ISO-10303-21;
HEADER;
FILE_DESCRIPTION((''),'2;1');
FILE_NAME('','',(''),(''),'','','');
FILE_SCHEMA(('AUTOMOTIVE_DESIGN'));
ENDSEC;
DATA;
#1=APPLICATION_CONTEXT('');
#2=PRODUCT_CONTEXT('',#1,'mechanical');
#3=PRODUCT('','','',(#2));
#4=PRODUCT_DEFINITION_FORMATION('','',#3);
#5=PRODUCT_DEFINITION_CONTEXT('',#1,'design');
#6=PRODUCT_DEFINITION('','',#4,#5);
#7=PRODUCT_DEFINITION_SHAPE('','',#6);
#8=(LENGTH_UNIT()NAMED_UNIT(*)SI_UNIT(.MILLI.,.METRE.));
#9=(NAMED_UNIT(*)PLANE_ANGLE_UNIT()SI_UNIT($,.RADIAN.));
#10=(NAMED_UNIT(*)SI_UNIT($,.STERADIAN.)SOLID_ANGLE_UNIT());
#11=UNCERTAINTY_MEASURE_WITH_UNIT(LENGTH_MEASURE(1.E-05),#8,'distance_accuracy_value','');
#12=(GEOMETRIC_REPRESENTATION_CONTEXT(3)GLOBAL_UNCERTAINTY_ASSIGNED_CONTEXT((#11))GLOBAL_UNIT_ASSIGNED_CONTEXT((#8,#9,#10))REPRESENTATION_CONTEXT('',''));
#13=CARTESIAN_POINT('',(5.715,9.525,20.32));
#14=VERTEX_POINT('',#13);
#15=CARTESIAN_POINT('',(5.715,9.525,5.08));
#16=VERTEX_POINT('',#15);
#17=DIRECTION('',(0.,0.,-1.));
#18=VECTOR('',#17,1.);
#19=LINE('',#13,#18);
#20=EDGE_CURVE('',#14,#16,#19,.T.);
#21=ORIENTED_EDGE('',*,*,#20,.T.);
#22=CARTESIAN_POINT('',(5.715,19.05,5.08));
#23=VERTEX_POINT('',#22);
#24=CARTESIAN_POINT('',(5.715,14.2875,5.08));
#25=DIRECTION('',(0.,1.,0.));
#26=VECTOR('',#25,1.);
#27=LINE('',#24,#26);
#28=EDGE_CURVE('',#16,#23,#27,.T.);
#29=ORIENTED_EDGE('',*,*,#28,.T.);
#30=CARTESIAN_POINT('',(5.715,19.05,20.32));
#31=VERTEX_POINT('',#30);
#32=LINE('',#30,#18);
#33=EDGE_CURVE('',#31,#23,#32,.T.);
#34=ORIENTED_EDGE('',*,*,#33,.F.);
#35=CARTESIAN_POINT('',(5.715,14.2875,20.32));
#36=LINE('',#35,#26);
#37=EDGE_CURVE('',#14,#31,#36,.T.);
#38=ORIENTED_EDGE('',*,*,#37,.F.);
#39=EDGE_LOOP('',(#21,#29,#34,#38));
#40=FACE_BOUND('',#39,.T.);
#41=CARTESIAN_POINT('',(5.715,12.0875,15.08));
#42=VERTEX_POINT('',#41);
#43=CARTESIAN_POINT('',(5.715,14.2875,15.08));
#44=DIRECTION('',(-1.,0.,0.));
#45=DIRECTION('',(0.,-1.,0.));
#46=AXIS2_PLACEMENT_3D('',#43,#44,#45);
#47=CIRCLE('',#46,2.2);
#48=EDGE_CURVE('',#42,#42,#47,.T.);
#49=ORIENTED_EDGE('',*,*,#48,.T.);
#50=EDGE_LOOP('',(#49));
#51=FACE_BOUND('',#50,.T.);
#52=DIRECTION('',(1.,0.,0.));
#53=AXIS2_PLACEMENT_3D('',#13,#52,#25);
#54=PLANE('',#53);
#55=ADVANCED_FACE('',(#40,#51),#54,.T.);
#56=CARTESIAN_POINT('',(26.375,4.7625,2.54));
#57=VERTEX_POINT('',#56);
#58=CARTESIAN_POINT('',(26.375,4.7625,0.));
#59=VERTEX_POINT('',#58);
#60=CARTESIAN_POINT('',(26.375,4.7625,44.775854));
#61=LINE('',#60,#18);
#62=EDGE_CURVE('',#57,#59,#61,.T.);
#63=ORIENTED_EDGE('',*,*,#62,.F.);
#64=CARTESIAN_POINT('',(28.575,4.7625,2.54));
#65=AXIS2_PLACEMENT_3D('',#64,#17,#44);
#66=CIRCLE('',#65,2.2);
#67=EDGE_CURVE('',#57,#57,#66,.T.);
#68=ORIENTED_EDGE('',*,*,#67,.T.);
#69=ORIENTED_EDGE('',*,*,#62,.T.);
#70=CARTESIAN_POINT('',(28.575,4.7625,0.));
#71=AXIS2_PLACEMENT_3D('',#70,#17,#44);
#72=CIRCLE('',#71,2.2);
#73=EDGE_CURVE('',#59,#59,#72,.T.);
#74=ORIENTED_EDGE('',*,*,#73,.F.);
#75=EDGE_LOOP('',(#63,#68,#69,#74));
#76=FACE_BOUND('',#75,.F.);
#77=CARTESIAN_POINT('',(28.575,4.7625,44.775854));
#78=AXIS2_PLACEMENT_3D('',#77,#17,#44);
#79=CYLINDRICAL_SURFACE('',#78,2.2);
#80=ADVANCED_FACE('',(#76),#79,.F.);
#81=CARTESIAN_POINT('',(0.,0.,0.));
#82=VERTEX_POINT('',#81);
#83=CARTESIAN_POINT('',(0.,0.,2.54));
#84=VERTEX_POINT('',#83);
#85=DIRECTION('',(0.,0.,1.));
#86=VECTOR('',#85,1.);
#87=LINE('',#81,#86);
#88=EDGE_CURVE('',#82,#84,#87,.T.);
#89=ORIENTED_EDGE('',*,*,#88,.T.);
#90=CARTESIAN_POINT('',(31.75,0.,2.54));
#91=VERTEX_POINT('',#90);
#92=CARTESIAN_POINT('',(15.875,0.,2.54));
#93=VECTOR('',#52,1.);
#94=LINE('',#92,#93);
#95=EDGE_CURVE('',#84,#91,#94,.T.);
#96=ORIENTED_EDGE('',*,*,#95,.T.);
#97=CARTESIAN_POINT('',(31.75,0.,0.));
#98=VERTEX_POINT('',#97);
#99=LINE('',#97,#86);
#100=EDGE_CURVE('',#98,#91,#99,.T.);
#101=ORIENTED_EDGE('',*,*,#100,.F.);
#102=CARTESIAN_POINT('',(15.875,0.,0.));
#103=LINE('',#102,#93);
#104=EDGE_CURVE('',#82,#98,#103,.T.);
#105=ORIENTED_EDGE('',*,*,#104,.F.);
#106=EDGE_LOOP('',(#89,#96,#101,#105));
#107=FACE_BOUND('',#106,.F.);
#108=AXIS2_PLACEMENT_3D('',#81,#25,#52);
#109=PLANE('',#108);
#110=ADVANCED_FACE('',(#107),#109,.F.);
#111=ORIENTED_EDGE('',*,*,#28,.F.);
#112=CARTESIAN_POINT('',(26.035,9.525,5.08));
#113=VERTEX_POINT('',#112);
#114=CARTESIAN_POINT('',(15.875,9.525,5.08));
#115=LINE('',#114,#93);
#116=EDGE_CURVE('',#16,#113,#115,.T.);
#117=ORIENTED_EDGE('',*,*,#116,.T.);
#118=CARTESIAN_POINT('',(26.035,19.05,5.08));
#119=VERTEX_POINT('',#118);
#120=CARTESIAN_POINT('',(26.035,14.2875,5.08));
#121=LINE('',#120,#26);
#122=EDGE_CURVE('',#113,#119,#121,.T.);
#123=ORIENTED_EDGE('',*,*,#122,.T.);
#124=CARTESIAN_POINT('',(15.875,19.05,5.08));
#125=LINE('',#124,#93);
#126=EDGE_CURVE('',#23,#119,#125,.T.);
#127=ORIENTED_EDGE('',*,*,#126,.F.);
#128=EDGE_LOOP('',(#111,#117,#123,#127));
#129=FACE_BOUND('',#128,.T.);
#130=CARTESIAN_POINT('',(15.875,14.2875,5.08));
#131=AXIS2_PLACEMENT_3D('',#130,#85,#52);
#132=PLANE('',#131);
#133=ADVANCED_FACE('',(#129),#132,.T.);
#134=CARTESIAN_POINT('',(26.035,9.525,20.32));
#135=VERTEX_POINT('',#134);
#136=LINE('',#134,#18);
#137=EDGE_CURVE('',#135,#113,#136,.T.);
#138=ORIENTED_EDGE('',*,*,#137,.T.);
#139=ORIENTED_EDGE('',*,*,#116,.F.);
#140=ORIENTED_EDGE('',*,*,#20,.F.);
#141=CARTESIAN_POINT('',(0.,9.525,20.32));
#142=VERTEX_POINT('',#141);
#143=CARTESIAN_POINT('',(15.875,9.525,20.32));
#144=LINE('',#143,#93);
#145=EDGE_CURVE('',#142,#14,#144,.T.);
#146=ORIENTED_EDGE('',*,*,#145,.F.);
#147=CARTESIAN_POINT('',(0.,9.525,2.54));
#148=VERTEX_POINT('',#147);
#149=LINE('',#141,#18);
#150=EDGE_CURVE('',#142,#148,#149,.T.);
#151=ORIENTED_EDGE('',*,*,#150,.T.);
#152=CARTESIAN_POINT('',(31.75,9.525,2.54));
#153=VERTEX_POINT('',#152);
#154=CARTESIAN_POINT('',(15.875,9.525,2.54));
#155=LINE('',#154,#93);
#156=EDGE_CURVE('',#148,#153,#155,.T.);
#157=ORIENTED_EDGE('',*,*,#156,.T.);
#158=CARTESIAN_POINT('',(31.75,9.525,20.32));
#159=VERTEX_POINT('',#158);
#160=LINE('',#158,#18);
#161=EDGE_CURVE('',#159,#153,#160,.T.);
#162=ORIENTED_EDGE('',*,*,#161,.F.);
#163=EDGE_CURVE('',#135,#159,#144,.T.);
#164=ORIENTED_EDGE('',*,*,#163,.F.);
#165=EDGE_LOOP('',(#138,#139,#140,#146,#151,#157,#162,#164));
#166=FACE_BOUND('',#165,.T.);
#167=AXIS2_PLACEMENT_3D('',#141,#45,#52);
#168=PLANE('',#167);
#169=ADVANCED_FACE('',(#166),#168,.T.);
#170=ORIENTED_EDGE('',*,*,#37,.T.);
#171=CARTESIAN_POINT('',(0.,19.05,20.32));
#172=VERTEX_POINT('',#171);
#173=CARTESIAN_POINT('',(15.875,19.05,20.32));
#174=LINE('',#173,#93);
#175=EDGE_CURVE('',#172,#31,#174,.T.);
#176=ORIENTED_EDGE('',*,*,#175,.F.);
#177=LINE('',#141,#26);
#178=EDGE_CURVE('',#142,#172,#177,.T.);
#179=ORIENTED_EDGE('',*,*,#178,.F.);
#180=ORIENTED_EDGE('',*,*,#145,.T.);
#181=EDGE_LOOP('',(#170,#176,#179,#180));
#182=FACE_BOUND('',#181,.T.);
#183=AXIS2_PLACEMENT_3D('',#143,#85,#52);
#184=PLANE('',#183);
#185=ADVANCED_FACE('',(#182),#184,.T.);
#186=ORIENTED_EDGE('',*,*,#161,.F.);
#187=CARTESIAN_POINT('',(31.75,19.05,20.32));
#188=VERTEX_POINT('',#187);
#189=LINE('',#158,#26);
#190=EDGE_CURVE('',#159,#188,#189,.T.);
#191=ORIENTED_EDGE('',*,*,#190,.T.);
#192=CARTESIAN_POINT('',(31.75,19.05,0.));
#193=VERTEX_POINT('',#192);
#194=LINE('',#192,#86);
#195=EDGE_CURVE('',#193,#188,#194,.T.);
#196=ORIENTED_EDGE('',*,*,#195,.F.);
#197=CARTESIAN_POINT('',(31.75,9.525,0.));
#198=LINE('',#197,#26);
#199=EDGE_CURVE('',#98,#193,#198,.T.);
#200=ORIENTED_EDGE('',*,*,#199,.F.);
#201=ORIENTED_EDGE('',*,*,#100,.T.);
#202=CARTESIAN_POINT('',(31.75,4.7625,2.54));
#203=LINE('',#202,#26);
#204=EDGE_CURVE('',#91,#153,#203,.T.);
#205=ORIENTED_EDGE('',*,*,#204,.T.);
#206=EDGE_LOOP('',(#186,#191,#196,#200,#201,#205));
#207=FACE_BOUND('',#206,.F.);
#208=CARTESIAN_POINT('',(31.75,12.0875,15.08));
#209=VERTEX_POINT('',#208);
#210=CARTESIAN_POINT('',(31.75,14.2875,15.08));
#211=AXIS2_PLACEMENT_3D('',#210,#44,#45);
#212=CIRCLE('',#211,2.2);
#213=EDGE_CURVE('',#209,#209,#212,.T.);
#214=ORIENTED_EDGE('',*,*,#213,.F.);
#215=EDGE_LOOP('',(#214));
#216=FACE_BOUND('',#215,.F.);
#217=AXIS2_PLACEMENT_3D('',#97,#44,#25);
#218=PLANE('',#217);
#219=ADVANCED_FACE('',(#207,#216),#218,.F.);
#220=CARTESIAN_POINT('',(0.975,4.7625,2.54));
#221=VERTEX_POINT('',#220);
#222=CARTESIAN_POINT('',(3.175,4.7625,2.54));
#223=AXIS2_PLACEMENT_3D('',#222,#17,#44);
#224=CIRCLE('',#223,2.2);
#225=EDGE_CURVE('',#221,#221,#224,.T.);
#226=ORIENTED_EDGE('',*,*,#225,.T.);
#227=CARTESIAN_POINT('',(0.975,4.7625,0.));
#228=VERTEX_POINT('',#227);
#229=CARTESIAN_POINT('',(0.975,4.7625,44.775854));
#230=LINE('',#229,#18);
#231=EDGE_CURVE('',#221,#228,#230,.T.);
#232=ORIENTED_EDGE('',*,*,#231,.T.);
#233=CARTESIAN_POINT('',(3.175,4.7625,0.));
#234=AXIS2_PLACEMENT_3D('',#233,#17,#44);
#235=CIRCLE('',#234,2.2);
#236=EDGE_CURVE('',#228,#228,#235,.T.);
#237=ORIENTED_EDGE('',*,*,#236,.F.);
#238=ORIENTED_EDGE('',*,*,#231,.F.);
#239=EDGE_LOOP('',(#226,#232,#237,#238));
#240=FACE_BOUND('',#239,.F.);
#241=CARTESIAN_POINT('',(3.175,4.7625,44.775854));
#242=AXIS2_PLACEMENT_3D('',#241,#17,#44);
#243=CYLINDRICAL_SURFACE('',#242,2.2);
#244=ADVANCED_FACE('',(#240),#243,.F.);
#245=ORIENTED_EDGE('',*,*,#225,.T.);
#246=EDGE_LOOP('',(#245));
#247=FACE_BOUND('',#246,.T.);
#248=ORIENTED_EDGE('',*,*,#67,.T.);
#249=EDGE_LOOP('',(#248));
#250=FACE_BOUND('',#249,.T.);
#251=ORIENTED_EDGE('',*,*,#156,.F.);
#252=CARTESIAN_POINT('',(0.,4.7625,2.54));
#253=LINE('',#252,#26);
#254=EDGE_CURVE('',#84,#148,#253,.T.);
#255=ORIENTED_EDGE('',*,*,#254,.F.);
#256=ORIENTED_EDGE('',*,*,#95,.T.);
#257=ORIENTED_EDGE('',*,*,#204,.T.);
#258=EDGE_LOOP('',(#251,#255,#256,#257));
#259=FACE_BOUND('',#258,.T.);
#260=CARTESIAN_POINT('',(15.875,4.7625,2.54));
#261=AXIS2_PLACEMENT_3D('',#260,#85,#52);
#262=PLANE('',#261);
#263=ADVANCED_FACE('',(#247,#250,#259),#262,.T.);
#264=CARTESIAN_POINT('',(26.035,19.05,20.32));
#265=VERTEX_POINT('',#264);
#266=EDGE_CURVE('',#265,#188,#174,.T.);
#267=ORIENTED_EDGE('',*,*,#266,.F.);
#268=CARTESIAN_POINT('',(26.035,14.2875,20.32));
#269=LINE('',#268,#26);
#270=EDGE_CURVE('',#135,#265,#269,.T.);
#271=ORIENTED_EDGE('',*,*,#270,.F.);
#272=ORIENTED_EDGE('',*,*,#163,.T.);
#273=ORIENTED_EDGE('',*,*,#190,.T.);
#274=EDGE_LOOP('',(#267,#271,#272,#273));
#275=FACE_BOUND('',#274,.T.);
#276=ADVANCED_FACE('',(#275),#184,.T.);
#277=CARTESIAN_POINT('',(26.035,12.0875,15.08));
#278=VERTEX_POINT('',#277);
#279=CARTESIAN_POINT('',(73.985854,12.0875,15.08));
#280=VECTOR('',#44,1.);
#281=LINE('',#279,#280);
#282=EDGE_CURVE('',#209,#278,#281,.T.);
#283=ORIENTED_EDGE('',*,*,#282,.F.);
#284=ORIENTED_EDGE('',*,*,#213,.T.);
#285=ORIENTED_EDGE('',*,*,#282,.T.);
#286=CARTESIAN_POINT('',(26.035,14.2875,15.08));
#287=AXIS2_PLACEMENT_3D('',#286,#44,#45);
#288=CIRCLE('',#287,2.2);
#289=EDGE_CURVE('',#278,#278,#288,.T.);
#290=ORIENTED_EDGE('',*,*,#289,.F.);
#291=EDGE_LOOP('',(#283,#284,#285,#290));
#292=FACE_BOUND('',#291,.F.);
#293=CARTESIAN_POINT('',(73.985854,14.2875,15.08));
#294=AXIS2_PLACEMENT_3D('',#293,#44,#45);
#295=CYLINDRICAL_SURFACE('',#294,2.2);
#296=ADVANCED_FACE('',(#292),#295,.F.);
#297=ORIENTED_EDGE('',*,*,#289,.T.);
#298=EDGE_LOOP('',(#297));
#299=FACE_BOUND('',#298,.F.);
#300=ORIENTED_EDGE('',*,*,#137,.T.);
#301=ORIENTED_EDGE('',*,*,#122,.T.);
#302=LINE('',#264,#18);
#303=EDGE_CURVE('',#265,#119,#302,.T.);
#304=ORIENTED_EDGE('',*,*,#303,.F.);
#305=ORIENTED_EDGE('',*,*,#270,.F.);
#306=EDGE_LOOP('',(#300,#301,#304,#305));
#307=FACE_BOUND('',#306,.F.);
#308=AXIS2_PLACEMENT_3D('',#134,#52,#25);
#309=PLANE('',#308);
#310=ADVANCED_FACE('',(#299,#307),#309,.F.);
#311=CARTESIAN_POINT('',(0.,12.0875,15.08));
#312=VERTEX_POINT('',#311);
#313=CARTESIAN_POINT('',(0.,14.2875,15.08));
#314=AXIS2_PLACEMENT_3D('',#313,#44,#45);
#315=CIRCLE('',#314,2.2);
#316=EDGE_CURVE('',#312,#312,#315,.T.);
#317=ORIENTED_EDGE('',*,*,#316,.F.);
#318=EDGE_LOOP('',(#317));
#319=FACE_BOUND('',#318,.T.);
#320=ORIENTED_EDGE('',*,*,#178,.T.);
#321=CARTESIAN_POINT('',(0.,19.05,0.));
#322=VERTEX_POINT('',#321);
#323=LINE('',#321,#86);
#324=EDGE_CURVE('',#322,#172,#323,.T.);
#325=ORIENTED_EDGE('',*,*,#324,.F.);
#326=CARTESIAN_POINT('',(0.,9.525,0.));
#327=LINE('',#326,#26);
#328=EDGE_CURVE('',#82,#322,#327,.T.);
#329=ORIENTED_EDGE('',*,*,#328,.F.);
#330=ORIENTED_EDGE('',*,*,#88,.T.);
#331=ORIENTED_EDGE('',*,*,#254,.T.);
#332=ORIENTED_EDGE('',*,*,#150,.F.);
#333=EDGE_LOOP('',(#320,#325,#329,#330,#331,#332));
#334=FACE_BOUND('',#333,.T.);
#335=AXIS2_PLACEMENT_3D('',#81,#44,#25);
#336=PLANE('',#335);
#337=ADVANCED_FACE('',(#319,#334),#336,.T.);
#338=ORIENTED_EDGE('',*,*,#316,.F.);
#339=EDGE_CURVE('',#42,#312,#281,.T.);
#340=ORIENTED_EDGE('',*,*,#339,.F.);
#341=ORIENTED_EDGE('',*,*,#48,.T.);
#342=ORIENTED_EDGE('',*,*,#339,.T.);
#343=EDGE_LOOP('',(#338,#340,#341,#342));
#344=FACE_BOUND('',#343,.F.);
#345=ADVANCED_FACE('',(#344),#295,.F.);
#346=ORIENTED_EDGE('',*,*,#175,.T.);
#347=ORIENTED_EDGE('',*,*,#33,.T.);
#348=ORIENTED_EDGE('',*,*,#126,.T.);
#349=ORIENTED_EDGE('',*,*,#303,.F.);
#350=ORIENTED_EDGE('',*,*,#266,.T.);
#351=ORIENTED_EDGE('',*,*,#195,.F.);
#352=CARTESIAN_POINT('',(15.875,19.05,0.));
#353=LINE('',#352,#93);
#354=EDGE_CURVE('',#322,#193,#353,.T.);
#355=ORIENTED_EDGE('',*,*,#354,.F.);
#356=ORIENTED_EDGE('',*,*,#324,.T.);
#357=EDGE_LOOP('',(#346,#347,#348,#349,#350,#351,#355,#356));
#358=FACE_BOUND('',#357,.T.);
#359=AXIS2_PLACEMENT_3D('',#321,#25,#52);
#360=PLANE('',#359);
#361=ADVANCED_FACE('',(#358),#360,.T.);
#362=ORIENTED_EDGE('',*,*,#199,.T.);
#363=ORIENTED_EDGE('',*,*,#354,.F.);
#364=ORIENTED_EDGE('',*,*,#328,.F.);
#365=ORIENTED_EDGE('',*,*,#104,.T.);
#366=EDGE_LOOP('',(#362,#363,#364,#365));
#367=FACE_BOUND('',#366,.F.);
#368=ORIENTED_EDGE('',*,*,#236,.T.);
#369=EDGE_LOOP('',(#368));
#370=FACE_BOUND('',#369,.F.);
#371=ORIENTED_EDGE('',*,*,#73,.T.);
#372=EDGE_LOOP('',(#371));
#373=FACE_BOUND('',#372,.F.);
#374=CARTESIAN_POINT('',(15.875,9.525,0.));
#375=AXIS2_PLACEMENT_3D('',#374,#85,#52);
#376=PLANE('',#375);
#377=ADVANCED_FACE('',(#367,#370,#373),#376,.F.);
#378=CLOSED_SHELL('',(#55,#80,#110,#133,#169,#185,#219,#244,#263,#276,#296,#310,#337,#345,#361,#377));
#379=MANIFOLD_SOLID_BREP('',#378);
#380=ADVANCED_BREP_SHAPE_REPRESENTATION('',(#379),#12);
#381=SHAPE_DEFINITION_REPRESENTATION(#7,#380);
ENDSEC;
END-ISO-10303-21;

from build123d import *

# Parameters (mm, degrees)
F0_W     = 31.75
F0_H     = 19.05
F1_DEPTH = 20.32
F2_W     = 31.75
F2_H     = 9.525
F3_DEPTH = 17.78
F4_W     = 20.32
F4_H     = 9.525
F5_DEPTH = 15.24
F7_D     = 4.4
F9_D     = 4.4


with BuildPart() as f1:
    # F0 (on Top) → F1 (new body)
    with BuildSketch(Plane.XY):
        with Locations((15.875, 9.525)):
            Rectangle(F0_W, F0_H)
    extrude(amount=F1_DEPTH)

    # F2 (on face) → F3 (cut)
    with BuildSketch(Plane.XY.offset(20.32)):
        with Locations((15.875, 4.7625)):
            Rectangle(F2_W, F2_H)
    extrude(amount=-F3_DEPTH, mode=Mode.SUBTRACT)

    # F4 (on face) → F5 (cut)
    with BuildSketch(Plane.XY.offset(20.32)):
        with Locations((15.875, 14.2875)):
            Rectangle(F4_W, F4_H)
    extrude(amount=-F5_DEPTH, mode=Mode.SUBTRACT)

    # F7 (through all)
    with Locations(Plane.XY.offset(2.54)):
        with Locations((3.175, 4.7625), (28.575, 4.7625)):
            Hole(F7_D / 2)

    # F9 (through all)
    with Locations(Plane.YZ.offset(31.75)):
        with Locations((14.2875, 15.08)):
            Hole(F9_D / 2)


solid = f1.part
